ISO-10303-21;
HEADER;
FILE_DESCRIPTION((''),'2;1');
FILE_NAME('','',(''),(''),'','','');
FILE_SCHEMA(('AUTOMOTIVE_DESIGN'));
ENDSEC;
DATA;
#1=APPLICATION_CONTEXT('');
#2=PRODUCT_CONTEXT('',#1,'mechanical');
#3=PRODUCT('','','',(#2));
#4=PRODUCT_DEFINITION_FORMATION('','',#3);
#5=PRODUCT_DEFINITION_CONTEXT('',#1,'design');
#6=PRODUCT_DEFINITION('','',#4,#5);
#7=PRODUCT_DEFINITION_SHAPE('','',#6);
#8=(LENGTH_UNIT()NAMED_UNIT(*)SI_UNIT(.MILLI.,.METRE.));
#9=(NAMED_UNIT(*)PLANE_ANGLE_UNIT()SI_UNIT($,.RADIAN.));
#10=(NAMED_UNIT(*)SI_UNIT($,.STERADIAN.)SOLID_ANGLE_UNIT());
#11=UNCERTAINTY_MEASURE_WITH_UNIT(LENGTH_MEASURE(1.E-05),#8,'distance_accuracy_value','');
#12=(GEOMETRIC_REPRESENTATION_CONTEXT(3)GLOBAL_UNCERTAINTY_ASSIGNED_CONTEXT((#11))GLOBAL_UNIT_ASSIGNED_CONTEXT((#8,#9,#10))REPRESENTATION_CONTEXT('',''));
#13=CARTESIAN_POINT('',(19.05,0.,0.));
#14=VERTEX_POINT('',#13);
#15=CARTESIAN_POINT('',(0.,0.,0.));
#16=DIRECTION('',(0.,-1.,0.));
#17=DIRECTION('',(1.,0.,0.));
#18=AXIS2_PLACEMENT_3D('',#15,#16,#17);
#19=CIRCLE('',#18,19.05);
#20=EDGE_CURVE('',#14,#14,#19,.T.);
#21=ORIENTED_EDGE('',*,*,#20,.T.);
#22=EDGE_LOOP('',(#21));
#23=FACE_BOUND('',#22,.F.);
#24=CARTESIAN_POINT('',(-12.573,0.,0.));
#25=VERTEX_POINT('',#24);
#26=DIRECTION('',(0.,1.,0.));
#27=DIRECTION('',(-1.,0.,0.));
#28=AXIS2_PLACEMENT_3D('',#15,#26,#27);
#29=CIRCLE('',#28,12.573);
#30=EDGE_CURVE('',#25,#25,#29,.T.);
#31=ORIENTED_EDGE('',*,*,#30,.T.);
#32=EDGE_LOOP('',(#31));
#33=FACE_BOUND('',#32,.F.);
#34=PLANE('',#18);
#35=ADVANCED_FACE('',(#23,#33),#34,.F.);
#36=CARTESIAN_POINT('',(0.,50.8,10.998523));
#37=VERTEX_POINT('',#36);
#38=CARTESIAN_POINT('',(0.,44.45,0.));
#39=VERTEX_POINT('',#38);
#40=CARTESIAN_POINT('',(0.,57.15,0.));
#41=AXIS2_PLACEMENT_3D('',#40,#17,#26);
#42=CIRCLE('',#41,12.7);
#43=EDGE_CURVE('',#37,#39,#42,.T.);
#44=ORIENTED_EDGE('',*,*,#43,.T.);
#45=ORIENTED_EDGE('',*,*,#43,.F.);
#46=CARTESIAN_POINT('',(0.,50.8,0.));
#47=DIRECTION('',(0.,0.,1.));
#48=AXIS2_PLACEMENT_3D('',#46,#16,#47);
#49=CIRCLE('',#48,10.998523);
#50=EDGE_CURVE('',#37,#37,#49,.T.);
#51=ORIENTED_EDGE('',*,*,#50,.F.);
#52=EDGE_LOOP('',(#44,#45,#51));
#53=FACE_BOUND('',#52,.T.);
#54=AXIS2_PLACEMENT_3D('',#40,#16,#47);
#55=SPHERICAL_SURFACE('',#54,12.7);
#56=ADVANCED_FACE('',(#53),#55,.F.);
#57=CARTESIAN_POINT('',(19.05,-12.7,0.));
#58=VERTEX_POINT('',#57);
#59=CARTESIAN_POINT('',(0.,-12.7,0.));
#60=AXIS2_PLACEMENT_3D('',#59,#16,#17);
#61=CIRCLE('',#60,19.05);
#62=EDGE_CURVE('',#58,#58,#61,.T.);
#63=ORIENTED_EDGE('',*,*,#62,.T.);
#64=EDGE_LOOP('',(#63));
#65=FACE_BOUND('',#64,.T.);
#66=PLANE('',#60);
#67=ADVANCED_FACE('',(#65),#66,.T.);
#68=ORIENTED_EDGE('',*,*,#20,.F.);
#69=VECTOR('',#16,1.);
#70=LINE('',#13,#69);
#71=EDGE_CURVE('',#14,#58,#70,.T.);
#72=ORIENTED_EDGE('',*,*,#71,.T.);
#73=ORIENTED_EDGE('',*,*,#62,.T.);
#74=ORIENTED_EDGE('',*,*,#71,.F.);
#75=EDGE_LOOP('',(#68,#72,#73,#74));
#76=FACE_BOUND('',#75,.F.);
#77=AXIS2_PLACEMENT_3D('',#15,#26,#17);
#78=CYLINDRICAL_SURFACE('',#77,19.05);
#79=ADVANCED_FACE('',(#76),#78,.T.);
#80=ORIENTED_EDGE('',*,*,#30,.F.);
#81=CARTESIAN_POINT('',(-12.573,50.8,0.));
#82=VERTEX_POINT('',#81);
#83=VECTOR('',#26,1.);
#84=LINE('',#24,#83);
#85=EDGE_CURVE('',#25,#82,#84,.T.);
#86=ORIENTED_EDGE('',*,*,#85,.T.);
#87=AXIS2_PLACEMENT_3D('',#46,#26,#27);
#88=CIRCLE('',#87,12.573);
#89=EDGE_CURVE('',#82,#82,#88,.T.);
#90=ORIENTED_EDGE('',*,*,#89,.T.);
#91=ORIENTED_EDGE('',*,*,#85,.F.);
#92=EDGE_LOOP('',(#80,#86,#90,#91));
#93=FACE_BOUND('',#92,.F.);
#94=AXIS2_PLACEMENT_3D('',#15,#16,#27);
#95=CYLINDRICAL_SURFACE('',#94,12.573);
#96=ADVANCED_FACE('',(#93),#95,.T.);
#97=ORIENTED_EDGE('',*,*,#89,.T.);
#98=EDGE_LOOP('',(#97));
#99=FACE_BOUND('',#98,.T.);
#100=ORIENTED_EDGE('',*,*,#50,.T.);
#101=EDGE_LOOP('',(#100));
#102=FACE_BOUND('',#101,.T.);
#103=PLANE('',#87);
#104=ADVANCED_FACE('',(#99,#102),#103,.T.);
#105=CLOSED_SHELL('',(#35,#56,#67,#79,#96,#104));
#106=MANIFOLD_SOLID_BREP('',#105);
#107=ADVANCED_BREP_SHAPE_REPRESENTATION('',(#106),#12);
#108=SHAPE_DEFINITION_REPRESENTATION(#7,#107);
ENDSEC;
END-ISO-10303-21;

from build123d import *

# Parameters (mm, degrees)
F0_R     = 19.05
F1_DEPTH = 12.7
F2_R     = 12.573
F3_DEPTH = 50.8


with BuildPart() as f1:
    # F0 (on Front) → F1 (new body)
    with BuildSketch(Plane.XZ):
        Circle(F0_R)
    extrude(amount=F1_DEPTH)

    # F2 (on face) → F3 (join)
    with BuildSketch(Plane(origin=(0, 0, 0), x_dir=(-1, 0, 0), z_dir=(0, 1, 0))):
        Circle(F2_R)
    extrude(amount=F3_DEPTH)

    # F4 (on Right) → F5 (revolve, cut)
    with BuildSketch(Plane.YZ):
        with BuildLine():
            Line((44.45, 0), (57.15, 0))
            Line((57.15, 0), (69.85, 0))
            ThreePointArc((69.85, 0), (57.15, 12.7), (44.45, 0))
        make_face()
    revolve(axis=Axis((0, 63.5, 0), (0, 1, 0)), mode=Mode.SUBTRACT)


solid = f1.part
